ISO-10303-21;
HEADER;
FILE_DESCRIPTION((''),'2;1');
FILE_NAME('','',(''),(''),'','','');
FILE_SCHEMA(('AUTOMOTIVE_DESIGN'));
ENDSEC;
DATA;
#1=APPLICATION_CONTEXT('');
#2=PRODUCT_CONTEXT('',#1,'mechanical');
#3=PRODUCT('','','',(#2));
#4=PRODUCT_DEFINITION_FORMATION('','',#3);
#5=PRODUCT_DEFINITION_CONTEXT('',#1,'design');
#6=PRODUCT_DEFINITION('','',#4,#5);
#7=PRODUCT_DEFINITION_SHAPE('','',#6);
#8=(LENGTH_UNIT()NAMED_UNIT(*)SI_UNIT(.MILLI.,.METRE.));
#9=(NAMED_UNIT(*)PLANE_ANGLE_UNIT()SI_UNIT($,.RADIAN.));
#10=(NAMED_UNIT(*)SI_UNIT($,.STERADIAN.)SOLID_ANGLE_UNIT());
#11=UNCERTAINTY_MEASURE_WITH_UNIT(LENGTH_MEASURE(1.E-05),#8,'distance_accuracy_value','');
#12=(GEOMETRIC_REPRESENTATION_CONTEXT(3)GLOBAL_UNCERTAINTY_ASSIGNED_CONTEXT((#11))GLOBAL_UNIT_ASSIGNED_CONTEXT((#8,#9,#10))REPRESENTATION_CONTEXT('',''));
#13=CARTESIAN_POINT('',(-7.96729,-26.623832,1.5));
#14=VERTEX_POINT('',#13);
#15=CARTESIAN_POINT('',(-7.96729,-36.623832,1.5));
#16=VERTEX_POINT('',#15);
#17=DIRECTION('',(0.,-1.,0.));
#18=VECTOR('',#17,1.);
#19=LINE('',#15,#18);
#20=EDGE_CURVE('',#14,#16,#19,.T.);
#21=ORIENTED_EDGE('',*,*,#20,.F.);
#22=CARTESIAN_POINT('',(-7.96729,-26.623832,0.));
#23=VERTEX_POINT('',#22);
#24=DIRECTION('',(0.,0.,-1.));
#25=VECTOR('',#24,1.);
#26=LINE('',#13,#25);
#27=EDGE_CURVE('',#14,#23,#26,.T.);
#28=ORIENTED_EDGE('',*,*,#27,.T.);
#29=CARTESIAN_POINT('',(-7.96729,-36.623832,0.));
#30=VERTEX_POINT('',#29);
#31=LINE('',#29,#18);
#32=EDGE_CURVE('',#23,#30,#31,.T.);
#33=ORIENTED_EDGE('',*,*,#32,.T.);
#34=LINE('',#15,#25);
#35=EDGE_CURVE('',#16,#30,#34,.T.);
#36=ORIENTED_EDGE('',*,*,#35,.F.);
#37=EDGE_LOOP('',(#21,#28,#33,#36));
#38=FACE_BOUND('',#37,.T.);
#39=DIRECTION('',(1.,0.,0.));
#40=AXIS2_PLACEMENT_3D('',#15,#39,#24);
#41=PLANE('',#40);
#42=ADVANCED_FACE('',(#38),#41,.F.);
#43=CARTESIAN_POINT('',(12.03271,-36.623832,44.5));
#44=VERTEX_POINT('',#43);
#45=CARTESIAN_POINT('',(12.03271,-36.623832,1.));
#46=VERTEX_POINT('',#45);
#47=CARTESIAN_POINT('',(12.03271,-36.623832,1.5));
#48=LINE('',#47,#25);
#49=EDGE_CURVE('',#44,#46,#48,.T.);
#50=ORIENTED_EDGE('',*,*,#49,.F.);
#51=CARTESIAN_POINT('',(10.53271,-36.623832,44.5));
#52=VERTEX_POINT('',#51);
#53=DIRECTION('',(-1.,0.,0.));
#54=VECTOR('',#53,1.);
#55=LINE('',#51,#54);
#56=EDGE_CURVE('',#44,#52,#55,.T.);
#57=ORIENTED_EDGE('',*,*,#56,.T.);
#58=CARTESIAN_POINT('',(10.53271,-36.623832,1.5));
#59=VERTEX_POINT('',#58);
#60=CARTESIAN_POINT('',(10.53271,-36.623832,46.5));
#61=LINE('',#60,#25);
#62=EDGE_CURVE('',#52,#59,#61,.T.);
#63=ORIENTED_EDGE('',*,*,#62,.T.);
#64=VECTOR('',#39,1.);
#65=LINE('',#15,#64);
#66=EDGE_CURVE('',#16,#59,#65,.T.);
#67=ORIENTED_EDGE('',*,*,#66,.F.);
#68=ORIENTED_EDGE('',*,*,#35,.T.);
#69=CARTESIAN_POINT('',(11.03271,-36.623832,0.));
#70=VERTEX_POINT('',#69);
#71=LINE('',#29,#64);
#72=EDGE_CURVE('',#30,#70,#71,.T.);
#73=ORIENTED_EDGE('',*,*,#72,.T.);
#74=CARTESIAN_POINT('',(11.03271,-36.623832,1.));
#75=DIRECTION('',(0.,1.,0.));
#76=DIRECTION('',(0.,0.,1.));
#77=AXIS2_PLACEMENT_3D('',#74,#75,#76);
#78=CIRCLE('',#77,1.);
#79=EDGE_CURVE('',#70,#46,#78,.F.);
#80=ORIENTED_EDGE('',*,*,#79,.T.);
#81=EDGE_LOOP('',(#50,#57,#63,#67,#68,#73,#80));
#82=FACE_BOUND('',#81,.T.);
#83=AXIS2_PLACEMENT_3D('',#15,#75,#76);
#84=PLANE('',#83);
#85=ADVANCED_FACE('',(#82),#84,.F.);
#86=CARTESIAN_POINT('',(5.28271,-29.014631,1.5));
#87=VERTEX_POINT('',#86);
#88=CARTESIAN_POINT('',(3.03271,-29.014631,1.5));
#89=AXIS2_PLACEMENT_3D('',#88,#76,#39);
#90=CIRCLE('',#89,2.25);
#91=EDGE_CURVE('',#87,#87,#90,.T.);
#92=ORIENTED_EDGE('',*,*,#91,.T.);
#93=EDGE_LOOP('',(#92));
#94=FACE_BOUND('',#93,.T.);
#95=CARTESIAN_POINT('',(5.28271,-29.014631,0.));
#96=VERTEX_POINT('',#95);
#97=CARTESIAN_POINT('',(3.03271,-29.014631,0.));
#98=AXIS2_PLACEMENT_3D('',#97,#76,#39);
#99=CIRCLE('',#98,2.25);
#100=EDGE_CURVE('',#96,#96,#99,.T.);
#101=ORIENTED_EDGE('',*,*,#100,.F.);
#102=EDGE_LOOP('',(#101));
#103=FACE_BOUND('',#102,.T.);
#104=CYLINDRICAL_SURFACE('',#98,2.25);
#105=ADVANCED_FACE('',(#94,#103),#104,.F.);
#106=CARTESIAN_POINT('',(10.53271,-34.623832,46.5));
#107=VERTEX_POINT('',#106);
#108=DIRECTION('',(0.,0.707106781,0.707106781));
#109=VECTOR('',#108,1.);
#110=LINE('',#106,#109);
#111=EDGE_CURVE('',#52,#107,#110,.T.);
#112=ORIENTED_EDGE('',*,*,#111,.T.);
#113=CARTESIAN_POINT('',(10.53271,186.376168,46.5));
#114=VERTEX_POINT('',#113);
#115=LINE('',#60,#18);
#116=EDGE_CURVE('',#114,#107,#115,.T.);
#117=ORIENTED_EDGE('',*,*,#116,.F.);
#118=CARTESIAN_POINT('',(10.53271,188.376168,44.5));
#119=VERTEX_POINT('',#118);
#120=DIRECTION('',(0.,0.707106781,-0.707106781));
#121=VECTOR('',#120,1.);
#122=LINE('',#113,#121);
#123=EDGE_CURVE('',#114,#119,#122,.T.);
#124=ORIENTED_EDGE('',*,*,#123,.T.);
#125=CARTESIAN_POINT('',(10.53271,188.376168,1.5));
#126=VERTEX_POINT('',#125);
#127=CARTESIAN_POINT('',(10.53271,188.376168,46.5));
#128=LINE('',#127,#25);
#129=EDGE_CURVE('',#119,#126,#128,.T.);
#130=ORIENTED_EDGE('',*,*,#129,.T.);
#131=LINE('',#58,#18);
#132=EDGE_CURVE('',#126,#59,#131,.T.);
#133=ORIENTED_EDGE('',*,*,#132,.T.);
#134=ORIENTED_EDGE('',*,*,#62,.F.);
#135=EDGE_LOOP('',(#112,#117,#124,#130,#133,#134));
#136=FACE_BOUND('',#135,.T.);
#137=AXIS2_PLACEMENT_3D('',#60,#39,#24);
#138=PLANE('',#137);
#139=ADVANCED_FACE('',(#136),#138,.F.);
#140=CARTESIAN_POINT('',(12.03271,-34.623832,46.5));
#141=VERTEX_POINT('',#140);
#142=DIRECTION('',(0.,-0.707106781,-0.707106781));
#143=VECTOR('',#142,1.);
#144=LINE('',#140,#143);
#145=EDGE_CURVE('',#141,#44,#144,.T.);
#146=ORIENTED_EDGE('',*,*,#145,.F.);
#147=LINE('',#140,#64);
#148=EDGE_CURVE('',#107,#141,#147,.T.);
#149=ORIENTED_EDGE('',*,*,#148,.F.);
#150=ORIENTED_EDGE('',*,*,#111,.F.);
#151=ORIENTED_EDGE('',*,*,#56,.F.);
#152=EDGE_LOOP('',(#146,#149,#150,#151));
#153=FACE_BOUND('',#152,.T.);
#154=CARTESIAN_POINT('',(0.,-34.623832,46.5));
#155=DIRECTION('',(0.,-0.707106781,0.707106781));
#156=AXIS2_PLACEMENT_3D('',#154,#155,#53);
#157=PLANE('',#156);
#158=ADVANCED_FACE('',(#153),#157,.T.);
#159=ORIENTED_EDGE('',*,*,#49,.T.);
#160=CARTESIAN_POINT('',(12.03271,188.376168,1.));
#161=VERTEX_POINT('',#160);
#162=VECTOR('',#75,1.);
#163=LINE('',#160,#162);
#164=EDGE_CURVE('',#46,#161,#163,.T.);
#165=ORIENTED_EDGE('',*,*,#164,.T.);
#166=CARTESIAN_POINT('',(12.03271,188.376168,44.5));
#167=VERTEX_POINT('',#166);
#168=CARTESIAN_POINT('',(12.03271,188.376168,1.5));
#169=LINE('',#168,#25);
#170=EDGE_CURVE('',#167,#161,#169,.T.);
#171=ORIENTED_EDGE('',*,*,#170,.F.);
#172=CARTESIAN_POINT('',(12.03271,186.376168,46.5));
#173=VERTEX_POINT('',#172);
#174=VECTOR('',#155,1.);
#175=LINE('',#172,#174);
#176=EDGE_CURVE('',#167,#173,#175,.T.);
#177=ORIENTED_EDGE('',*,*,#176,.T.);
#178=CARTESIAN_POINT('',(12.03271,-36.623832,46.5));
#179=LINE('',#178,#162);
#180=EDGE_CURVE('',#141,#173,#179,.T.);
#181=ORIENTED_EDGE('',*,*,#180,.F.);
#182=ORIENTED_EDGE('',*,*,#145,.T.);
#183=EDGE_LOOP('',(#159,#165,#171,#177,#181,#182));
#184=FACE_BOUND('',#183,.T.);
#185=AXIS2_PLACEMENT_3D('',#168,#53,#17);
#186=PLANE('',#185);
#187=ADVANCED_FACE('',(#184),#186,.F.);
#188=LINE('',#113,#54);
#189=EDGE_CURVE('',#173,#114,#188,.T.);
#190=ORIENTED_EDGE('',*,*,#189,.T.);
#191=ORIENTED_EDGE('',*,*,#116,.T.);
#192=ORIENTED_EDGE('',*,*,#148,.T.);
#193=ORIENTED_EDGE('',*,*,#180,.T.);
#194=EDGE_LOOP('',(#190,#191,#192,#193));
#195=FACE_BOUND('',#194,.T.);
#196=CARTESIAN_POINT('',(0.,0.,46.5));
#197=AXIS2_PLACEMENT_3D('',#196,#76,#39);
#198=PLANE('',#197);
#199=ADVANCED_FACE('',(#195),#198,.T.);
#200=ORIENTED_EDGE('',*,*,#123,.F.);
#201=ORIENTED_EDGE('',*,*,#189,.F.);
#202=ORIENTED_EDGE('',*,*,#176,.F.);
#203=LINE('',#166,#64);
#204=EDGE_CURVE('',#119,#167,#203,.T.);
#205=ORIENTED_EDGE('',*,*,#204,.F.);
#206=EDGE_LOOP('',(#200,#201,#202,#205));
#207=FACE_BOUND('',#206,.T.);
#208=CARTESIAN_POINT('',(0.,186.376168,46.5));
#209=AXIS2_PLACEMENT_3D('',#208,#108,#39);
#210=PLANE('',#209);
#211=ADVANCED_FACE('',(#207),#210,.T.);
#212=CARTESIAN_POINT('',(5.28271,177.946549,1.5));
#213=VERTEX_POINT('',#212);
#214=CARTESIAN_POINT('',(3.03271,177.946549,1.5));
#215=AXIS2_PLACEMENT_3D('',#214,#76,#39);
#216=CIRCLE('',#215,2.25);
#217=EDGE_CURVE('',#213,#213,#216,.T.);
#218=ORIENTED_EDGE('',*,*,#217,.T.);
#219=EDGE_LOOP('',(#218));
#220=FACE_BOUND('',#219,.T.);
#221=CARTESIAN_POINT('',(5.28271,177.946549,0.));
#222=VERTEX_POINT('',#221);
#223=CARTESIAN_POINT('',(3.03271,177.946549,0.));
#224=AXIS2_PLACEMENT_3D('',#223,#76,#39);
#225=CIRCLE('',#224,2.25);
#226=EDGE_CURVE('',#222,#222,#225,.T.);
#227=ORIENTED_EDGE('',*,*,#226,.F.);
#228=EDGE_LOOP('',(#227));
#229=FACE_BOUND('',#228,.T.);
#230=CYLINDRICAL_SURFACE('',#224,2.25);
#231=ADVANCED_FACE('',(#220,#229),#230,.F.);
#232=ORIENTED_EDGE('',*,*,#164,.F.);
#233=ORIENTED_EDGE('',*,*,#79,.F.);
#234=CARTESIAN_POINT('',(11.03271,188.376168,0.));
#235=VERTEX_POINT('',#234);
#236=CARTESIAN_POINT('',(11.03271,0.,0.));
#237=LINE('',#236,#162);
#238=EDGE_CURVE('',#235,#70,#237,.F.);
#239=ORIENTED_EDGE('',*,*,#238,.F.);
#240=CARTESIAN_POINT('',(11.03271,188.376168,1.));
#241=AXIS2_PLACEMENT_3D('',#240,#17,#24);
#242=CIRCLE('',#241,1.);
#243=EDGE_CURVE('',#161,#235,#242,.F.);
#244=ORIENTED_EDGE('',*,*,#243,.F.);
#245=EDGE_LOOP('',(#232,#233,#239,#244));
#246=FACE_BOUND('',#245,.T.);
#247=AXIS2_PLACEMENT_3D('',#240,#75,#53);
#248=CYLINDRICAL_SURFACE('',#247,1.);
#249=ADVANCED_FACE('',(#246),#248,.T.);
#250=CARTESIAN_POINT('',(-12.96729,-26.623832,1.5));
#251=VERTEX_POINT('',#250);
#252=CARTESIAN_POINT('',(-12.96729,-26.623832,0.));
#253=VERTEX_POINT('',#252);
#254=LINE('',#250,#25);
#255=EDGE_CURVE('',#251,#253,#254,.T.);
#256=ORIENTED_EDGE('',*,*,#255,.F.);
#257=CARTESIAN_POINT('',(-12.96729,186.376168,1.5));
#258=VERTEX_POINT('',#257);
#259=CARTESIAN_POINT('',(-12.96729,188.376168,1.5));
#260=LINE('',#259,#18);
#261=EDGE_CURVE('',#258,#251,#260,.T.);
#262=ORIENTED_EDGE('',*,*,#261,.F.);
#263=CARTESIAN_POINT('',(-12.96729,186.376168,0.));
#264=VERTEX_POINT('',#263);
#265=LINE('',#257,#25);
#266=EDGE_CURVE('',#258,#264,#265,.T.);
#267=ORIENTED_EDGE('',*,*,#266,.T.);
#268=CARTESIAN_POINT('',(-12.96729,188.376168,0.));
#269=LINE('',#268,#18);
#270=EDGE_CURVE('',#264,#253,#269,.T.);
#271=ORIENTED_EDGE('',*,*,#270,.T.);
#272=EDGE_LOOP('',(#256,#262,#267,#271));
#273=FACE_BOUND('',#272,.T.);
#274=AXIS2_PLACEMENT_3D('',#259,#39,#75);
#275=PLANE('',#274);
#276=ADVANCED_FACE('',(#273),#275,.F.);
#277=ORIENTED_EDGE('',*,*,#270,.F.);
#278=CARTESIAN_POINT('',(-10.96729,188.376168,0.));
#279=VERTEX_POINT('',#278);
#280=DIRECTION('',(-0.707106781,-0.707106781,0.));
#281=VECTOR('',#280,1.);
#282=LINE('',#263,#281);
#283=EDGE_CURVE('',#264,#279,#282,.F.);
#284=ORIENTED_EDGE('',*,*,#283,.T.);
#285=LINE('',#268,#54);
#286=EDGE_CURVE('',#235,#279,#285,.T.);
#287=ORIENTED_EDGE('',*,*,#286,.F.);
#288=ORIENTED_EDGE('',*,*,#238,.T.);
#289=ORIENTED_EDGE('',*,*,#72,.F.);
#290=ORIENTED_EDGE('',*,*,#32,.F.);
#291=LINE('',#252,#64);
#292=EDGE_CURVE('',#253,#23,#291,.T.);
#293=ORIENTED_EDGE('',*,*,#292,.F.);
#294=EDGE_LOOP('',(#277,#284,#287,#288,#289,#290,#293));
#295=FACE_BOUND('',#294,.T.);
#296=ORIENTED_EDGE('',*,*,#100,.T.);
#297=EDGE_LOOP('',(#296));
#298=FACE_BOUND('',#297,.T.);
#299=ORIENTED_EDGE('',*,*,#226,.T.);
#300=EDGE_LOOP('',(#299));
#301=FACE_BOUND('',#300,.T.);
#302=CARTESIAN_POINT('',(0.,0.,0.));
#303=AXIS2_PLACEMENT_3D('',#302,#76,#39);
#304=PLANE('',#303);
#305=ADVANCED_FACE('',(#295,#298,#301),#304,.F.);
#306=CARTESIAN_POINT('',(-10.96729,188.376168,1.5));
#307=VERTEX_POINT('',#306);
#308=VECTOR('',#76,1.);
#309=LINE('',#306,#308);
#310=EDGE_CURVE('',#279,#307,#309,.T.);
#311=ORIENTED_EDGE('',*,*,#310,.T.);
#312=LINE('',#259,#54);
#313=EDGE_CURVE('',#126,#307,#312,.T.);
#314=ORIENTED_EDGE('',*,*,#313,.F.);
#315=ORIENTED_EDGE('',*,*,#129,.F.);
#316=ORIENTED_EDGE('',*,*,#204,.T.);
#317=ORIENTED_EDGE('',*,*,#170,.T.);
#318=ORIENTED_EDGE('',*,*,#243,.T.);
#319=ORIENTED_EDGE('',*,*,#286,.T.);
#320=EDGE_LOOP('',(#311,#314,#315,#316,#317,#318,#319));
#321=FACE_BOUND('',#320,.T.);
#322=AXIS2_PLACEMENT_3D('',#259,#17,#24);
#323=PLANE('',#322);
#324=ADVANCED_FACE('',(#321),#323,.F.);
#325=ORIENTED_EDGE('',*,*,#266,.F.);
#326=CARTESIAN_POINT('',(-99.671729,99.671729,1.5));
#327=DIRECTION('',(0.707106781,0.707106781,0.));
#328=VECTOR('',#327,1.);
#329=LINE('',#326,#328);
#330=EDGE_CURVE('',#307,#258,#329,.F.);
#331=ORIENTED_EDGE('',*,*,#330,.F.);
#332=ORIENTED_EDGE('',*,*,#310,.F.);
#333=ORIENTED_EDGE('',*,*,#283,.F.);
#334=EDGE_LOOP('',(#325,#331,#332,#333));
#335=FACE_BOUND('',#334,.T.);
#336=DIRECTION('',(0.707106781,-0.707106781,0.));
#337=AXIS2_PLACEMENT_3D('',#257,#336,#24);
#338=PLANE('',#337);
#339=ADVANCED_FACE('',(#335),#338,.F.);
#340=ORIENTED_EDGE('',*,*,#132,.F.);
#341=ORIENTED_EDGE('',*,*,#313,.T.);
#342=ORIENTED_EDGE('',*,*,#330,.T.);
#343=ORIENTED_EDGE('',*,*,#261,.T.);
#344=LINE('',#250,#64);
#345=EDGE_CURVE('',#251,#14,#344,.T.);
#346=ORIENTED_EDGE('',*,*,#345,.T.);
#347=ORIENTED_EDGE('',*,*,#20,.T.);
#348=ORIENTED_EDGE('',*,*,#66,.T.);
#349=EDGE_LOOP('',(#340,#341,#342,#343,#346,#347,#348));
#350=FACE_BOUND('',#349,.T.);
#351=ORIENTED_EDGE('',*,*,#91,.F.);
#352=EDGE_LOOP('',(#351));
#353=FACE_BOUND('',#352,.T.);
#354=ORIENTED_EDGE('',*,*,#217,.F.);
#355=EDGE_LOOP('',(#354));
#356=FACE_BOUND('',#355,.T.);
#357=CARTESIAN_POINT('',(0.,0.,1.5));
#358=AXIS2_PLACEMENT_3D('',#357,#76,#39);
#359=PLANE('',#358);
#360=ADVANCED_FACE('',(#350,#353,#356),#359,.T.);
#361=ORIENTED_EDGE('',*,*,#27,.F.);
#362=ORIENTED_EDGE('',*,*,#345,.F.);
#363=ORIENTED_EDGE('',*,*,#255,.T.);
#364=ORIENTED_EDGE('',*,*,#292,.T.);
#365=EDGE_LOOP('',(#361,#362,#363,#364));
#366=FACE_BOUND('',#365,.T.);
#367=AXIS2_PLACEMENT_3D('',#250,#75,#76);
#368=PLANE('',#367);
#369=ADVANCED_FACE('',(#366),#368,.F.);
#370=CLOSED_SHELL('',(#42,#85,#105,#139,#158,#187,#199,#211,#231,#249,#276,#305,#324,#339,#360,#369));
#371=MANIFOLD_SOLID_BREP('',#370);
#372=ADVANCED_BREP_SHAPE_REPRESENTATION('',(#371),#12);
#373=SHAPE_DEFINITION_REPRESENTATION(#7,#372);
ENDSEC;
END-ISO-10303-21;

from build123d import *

# Parameters (mm, degrees)
BOSS_EXTRUDE1_DEPTH = 1.5
SKETCH2_W           = 1.5
SKETCH2_H           = 225
BOSS_EXTRUDE2_DEPTH = 45
CHAMFER1_SIZE       = 2
FILLET1_R           = 1
SKETCH3_R           = 2.25
CUT_EXTRUDE1_DEPTH  = 2.5


with BuildPart() as part:
    # Sketch1 → Boss-Extrude1 (new body)
    with BuildSketch(Plane.XY):
        Polygon((-12.96728972, 188.376168224), (12.03271028, 188.376168224), (12.03271028, -36.623831776), (-7.96728972, -36.623831776), (-7.96728972, -26.623831776), (-12.96728972, -26.623831776), align=None)
    extrude(amount=BOSS_EXTRUDE1_DEPTH)

    # Sketch2 → Boss-Extrude2 (add)
    with BuildSketch(Plane.XY.offset(1.5)):
        with Locations((11.28271028, 75.876168224)):
            Rectangle(SKETCH2_W, SKETCH2_H)
    extrude(amount=BOSS_EXTRUDE2_DEPTH)

    # Chamfer1
    chamfer1_edges = [part.edges().sort_by_distance(p)[0] for p in [
        (-12.96728972, 188.376168224, 0.75),
        (11.28271028, 188.376168224, 46.5),
        (11.28271028, -36.623831776, 46.5),
    ]]
    chamfer(chamfer1_edges, length=CHAMFER1_SIZE)

    # Fillet1
    fillet1_edges = [part.edges().sort_by_distance(p)[0] for p in [
        (12.03271028, 75.876168224, 0),
    ]]
    fillet(fillet1_edges, radius=FILLET1_R)

    # Sketch3 → Cut-Extrude1 (cut, through all)
    with BuildSketch(Plane.XY.offset(1.5)):
        with Locations((3.03271028, 177.946548893)):
            Circle(SKETCH3_R)
        with Locations((3.03271028, -29.014631464)):
            Circle(SKETCH3_R)
    extrude(amount=-CUT_EXTRUDE1_DEPTH, mode=Mode.SUBTRACT)


solid = part.part
